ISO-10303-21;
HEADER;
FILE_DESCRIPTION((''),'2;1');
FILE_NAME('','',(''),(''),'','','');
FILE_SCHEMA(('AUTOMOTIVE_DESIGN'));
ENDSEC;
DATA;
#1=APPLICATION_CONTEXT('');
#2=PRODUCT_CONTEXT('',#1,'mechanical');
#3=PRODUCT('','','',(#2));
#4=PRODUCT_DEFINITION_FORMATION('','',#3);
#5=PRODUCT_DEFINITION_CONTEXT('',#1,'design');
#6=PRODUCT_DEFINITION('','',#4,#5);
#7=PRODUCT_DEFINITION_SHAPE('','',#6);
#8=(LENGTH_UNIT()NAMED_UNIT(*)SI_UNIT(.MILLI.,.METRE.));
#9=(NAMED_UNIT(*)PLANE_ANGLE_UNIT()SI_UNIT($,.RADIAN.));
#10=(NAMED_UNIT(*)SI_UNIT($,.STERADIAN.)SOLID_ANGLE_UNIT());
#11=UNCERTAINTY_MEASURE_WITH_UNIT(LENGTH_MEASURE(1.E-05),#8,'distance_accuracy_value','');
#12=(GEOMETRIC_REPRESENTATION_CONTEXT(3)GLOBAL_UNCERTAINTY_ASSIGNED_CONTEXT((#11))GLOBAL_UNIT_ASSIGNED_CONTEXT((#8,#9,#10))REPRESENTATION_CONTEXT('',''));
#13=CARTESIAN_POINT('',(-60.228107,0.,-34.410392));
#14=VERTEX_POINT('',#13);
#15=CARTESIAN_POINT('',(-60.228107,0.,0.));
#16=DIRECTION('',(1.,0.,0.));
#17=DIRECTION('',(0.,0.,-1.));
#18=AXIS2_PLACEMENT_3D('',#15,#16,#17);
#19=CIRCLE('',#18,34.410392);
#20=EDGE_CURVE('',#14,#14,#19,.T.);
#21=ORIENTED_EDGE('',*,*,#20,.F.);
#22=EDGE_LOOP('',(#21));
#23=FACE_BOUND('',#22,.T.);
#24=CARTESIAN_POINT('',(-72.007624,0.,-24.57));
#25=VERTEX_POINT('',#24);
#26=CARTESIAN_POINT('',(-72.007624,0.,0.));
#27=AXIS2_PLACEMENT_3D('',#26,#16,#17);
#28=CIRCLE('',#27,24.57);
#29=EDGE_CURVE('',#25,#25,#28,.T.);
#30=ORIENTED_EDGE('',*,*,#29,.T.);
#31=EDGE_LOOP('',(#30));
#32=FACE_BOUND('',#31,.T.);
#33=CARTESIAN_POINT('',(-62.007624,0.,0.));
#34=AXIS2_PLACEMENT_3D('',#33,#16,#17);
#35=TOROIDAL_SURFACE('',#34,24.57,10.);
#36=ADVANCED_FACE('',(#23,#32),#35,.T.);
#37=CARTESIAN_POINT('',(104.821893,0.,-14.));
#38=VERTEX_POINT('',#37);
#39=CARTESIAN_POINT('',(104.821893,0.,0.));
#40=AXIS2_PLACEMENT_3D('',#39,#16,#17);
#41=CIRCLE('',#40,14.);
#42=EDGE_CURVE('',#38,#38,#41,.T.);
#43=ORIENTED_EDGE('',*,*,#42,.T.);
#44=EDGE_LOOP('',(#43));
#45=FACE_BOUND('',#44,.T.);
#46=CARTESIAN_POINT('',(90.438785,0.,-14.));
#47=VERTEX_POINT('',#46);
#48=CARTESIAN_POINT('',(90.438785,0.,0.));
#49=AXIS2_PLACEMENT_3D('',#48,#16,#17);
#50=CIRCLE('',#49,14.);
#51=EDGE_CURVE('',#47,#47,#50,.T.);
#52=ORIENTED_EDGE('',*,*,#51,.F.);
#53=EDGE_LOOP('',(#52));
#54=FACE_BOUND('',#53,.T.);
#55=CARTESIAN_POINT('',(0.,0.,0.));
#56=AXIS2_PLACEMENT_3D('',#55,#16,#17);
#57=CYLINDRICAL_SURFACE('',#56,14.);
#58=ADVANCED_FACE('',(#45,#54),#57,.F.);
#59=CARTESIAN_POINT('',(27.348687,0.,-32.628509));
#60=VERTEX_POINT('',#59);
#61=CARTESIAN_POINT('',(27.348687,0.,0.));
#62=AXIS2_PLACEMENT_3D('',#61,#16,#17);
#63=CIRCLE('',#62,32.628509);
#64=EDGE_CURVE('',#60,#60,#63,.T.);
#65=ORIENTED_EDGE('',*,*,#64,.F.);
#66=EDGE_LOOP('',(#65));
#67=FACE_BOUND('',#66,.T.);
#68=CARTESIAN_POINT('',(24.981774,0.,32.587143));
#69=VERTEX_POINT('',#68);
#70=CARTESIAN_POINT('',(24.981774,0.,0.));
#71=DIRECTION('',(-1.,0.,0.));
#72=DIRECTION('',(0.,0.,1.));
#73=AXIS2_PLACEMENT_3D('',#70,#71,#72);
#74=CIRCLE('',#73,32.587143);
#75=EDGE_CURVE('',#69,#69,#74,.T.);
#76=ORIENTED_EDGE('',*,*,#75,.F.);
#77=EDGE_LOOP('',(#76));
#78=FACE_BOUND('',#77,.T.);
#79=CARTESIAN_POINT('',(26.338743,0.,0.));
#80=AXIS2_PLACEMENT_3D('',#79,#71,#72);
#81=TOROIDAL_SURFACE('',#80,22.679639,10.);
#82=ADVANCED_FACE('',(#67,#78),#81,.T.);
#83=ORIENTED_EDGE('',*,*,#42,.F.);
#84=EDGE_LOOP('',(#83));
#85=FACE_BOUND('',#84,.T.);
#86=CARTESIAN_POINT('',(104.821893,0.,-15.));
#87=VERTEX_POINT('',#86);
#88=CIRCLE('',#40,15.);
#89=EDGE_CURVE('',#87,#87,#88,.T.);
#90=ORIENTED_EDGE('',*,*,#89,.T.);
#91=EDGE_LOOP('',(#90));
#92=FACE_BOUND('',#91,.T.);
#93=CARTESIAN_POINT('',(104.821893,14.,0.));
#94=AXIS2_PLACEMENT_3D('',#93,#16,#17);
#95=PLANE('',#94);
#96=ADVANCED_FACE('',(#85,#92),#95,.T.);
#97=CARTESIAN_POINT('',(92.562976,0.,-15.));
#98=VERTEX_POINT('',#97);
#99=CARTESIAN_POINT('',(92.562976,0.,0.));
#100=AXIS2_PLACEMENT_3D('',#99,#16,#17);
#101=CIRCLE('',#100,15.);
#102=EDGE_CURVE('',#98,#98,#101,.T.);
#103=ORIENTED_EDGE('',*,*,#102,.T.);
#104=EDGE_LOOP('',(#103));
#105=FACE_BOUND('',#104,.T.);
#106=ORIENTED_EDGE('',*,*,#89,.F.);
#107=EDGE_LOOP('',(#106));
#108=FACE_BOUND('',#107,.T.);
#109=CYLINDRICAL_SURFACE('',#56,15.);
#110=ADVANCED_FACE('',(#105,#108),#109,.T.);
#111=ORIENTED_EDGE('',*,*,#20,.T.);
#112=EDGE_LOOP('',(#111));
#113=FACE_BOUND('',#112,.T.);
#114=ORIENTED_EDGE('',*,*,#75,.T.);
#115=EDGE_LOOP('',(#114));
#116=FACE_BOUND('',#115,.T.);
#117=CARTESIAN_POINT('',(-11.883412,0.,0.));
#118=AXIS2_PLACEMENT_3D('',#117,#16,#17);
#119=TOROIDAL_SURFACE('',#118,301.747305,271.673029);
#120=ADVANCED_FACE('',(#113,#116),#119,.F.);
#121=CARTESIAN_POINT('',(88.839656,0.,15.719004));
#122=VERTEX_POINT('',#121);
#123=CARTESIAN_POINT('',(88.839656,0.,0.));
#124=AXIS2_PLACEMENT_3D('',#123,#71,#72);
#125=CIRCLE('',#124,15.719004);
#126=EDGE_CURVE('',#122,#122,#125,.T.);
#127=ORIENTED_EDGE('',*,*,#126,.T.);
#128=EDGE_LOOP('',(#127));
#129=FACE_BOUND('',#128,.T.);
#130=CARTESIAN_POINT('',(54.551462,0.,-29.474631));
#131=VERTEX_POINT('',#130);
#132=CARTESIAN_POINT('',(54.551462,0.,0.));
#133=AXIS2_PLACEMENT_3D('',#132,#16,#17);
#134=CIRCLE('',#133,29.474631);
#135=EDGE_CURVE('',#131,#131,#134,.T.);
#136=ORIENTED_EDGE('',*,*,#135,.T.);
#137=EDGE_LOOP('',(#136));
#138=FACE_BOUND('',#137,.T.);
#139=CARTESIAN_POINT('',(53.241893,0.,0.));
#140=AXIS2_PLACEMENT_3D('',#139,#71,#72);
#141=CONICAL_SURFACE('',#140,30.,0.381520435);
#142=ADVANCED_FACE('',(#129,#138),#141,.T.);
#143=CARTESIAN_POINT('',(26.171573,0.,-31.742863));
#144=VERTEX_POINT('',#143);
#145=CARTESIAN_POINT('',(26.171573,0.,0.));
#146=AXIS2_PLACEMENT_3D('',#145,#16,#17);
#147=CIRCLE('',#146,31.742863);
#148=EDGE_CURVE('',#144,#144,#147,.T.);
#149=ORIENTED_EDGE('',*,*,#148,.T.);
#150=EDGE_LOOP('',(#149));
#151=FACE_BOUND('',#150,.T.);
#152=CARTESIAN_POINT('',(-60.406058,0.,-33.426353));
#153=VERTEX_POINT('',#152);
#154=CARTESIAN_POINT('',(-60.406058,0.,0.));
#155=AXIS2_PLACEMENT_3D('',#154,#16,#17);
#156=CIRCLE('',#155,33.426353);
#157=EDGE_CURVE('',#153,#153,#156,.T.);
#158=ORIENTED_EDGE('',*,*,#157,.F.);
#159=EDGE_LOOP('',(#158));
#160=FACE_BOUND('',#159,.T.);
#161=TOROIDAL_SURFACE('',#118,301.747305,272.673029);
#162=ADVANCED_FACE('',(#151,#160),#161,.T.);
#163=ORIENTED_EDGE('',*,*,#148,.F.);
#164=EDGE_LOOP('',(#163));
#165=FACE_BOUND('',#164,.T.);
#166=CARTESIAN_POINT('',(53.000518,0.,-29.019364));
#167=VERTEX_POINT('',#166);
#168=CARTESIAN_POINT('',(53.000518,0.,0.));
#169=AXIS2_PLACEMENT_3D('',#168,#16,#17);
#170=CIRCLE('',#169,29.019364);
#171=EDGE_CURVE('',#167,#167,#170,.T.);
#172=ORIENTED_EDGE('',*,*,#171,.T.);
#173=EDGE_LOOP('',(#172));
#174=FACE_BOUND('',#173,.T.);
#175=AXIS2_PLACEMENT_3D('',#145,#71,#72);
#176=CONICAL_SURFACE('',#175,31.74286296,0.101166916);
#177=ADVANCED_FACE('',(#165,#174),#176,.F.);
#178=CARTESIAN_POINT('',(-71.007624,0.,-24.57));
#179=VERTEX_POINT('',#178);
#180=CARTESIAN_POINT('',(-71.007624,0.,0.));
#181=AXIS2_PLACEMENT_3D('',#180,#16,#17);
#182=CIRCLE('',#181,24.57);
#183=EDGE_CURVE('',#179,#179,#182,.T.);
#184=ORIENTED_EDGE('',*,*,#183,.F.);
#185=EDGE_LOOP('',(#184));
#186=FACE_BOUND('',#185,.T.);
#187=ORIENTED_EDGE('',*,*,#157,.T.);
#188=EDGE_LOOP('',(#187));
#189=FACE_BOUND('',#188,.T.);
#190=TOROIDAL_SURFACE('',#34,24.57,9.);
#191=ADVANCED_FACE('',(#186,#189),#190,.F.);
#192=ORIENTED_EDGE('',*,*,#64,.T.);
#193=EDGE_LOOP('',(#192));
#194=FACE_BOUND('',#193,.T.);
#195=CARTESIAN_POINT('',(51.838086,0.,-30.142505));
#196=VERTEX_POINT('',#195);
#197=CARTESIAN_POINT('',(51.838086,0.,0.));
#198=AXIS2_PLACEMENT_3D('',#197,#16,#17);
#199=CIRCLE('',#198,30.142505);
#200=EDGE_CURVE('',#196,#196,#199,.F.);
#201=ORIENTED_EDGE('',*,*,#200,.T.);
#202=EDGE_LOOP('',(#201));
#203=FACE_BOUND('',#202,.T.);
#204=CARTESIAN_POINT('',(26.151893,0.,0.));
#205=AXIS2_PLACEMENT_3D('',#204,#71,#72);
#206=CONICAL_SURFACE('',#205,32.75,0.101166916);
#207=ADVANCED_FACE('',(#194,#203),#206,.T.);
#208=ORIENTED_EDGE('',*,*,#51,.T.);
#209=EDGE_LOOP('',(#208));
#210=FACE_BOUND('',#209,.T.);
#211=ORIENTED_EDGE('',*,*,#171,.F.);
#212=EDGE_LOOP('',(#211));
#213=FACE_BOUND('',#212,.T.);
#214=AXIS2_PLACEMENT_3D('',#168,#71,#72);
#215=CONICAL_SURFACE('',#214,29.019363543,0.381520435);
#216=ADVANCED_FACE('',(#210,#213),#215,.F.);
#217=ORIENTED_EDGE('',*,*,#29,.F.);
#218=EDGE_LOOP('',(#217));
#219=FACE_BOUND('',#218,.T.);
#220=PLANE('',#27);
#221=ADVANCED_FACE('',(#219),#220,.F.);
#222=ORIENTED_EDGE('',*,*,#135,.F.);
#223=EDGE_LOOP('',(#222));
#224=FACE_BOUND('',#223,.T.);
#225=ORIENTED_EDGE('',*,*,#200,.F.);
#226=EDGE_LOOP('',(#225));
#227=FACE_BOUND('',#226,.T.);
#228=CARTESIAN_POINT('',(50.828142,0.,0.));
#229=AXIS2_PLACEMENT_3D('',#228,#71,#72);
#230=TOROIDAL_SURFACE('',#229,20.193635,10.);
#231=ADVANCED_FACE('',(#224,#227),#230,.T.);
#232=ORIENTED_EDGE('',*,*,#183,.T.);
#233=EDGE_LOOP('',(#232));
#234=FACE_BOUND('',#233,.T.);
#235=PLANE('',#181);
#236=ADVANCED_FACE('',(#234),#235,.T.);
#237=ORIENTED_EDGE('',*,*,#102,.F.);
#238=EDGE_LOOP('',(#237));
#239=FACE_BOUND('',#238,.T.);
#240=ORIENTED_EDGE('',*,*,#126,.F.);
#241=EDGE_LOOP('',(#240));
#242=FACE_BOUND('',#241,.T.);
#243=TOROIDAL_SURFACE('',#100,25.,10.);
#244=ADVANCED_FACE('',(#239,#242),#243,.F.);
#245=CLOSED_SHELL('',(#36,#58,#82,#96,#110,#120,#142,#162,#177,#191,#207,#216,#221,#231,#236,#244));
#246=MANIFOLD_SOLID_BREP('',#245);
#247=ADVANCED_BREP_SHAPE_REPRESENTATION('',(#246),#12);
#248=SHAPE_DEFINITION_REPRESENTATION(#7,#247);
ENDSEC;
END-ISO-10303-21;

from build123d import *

# Parameters (mm, degrees)
FILLET1_R = 10


with BuildPart() as part:
    # Sketch1 → Revolve2 (revolve)
    with BuildSketch(Plane.XY, mode=Mode.PRIVATE) as revolve2_sk:
        with BuildLine():
            Line((-72.007624159, 0), (-72.007624159, 24.57))
            ThreePointArc((-72.007624159, 24.57), (-68.418740423, 32.244476415), (-60.228106509, 34.410392113))
            ThreePointArc((-60.228106509, 34.410392113), (-17.104532656, 30.124451731), (26.151893491, 32.75))
            Line((26.151893491, 32.75), (53.241893491, 30))
            Line((53.241893491, 30), (90.631893491, 15))
            Line((90.631893491, 15), (104.821893491, 15))
            Line((104.821893491, 15), (104.821893491, 14))
            Line((104.821893491, 14), (103.821893491, 14))
            Line((103.821893491, 14), (90.438785202, 14))
            Line((90.438785202, 14), (53.000518344, 29.019363543))
            Line((53.000518344, 29.019363543), (26.17157318, 31.74286296))
            ThreePointArc((26.17157318, 31.74286296), (-17.184498372, 29.125810874), (-60.406058274, 33.426352902))
            ThreePointArc((-60.406058274, 33.426352902), (-67.777628796, 31.477028774), (-71.007624159, 24.57))
            Line((-71.007624159, 24.57), (-71.007624159, 0))
            Line((-71.007624159, 0), (-72.007624159, 0))
        make_face()
    revolve(revolve2_sk.sketch.rotate(Axis((0, 0, 0), (-1, 0, 0)), 90), axis=Axis((0, 0, 0), (-1, 0, 0)))

    # Fillet1
    fillet1_edges = [part.edges().sort_by_distance(p)[0] for p in [
        (53.241893491, 0, 30),
        (90.631893491, 0, 15),
        (26.151893491, 0, 32.75),
    ]]
    fillet(fillet1_edges, radius=FILLET1_R)


solid = part.part
